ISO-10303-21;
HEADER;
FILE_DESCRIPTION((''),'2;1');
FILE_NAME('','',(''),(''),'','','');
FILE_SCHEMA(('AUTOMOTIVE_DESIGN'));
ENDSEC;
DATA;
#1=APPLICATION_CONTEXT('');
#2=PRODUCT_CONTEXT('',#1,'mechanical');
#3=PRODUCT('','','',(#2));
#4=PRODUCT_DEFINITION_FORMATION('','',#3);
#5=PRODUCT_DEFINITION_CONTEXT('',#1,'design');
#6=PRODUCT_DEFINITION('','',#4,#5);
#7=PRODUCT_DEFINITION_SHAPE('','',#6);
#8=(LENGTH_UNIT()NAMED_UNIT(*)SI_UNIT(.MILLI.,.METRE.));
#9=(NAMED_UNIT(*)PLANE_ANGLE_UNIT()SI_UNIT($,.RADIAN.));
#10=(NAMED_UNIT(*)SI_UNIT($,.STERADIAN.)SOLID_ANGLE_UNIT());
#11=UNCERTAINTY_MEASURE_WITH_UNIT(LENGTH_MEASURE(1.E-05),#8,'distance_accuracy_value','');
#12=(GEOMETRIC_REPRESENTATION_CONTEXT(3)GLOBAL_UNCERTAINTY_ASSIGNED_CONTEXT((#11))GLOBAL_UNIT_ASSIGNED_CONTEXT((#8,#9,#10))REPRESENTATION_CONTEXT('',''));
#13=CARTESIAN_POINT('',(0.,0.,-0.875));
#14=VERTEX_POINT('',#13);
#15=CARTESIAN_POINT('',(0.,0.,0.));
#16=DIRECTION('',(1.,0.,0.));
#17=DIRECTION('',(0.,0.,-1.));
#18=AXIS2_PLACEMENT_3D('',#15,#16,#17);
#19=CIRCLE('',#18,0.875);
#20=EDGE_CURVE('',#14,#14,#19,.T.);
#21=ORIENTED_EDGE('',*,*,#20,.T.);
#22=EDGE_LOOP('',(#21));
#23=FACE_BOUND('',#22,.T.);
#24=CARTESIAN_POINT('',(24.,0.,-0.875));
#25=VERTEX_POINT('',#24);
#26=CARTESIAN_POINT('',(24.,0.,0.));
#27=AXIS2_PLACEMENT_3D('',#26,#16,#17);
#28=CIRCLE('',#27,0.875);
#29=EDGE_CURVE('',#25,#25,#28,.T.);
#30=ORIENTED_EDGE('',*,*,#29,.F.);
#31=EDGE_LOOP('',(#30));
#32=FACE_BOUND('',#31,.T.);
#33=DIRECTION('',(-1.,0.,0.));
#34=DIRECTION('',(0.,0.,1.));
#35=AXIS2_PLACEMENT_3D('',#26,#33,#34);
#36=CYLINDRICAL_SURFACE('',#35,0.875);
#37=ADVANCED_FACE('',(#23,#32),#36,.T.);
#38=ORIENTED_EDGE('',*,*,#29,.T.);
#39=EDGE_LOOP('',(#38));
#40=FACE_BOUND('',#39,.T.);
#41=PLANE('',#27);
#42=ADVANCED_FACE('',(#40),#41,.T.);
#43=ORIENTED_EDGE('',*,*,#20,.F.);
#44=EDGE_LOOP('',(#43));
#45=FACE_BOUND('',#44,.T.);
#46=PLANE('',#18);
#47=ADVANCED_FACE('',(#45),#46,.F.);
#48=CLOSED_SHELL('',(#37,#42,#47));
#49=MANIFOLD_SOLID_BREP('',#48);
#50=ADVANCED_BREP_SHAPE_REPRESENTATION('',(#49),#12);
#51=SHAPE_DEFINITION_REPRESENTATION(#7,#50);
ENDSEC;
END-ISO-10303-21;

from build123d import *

# Parameters (mm, degrees)
SKETCH1_R           = 0.875
BOSS_EXTRUDE1_DEPTH = 24


with BuildPart() as part:
    # Sketch1 → Boss-Extrude1 (new body)
    with BuildSketch(Plane.YZ):
        with Locations(Location((0, 0, 0), (0, 0, 270))):
            Circle(SKETCH1_R)
    extrude(amount=BOSS_EXTRUDE1_DEPTH)


solid = part.part
